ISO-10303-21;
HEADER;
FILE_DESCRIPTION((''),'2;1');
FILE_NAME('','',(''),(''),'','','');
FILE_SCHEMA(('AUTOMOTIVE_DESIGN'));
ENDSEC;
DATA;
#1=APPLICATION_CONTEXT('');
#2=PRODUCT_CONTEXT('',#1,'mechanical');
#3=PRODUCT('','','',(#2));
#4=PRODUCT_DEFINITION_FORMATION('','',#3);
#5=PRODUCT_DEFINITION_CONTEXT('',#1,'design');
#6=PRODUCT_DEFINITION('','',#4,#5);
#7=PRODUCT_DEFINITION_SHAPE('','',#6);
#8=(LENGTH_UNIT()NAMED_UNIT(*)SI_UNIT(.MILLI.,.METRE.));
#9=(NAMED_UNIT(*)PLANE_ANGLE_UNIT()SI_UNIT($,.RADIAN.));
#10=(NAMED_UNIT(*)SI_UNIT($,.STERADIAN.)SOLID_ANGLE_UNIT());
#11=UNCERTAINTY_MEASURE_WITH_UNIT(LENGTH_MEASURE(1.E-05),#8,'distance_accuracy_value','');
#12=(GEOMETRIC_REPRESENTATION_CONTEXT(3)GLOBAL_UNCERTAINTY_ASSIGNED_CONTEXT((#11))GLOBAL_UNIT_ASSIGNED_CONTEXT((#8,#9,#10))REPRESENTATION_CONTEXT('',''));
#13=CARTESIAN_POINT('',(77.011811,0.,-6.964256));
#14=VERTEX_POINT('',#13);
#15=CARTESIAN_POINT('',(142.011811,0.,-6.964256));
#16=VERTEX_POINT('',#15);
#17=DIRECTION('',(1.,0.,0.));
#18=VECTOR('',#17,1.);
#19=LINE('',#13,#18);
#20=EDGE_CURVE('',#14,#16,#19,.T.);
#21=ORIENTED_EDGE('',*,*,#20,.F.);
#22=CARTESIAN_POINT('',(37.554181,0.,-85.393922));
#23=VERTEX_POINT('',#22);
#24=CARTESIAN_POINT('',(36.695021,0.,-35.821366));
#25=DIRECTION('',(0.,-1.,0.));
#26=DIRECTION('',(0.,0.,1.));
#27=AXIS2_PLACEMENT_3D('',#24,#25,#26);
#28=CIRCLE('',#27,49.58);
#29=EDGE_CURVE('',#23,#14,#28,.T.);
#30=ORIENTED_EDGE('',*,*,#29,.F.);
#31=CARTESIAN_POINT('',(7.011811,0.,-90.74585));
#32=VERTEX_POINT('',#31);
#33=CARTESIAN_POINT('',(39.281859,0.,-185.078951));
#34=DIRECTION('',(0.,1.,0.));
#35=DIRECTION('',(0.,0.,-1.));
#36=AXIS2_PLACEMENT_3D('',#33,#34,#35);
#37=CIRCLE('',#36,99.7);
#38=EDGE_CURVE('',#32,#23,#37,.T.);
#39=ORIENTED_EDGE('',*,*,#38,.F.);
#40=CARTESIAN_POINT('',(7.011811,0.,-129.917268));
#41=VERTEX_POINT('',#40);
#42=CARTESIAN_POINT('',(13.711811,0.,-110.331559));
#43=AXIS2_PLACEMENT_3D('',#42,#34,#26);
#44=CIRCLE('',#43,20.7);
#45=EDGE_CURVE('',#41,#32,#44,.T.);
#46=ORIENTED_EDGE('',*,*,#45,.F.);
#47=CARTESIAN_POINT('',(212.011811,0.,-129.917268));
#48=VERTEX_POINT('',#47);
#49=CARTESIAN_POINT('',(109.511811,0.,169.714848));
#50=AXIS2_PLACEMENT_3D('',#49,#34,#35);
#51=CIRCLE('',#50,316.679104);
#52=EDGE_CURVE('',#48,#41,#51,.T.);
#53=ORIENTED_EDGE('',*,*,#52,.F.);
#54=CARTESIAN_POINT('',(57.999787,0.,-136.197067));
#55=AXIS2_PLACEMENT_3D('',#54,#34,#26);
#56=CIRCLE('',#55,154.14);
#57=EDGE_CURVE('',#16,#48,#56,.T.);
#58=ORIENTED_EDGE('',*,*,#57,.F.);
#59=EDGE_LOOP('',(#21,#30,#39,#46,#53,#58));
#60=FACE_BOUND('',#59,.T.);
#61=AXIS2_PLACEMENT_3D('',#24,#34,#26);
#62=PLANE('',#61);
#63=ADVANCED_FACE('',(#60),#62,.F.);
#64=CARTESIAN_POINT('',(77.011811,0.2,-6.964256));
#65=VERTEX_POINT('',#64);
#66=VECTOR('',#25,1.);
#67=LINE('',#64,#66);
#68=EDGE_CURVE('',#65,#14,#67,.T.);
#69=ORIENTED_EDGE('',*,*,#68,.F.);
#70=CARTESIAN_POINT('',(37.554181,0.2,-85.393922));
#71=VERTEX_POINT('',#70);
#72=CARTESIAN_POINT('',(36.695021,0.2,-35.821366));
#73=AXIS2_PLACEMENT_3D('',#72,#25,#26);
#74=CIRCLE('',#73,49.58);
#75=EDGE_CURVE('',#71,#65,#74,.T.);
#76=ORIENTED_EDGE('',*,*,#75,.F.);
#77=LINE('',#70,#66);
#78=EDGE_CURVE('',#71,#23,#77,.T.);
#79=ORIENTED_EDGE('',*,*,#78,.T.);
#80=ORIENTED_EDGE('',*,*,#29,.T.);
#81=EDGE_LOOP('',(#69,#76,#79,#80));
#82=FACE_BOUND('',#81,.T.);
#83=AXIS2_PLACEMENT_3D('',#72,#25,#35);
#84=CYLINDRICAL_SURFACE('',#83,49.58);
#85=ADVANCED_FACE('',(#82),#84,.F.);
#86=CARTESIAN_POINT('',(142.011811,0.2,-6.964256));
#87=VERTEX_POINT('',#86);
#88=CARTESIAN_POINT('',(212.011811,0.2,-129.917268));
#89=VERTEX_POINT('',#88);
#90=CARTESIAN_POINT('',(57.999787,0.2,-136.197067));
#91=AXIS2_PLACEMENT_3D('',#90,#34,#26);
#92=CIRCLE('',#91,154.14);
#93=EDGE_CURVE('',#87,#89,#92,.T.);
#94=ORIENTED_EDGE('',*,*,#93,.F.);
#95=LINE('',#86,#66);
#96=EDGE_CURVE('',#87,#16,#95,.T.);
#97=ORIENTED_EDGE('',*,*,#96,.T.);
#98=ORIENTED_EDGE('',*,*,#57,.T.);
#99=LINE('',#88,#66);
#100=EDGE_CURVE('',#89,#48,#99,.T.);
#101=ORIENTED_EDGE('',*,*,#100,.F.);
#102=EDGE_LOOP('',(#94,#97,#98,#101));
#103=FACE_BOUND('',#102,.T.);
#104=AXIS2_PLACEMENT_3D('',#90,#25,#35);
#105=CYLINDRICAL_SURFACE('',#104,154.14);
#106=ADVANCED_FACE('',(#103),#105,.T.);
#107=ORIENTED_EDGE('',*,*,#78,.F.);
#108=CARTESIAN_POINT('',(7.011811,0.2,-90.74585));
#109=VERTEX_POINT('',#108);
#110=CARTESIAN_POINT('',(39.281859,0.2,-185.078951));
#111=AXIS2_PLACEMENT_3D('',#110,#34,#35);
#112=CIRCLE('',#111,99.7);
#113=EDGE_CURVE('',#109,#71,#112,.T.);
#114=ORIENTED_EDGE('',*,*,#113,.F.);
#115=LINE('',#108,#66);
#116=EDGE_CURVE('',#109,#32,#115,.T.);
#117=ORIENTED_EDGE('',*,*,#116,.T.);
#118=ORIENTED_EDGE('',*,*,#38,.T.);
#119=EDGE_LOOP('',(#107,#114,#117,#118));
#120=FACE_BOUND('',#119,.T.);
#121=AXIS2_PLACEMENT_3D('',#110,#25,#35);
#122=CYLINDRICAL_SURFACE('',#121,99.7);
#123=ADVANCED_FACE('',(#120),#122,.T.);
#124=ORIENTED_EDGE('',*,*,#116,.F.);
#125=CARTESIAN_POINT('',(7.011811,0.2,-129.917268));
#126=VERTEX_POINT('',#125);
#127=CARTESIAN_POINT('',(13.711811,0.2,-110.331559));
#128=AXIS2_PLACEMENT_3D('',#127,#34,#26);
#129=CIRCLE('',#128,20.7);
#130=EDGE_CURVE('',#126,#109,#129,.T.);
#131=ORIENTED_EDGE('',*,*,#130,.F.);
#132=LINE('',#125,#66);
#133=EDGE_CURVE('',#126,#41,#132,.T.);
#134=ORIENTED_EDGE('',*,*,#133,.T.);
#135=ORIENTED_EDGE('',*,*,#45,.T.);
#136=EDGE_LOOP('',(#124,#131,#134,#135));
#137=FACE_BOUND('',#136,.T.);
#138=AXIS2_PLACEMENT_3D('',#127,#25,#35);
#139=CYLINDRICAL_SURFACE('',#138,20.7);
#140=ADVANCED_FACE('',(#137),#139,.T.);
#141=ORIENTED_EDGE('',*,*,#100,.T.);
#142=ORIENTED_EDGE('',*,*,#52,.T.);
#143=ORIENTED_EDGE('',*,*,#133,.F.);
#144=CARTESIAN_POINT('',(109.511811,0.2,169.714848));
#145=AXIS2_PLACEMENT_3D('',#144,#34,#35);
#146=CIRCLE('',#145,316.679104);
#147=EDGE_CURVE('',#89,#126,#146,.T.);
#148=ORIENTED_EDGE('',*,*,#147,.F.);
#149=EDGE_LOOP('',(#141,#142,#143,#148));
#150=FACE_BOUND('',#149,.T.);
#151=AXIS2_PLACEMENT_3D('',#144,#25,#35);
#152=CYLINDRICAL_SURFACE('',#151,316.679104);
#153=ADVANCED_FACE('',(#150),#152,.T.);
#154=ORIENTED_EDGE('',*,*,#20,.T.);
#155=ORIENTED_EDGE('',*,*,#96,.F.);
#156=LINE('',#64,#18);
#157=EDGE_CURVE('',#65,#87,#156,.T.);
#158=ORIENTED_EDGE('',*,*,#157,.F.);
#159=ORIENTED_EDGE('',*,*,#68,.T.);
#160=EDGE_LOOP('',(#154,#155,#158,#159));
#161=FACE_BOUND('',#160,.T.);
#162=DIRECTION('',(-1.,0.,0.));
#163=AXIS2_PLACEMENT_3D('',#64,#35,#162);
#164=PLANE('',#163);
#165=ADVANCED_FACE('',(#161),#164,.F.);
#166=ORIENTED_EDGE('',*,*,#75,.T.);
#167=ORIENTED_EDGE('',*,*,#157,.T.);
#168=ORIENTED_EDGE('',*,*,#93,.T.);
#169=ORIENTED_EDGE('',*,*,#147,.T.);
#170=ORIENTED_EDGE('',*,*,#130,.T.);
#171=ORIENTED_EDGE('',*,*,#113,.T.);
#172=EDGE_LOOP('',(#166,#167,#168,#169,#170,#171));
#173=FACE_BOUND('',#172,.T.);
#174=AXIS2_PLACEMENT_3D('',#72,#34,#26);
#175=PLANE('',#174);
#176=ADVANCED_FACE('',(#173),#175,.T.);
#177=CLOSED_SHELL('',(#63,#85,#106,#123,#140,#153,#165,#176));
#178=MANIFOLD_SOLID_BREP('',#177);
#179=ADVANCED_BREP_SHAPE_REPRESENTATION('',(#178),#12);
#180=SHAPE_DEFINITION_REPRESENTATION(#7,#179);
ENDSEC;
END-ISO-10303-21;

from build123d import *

# Parameters (mm, degrees)
BOSS_EXTRUDE1_DEPTH = 0.2


with BuildPart() as part:
    # Sketch1 → Boss-Extrude1 (new body)
    with BuildSketch(Plane(origin=(0, 0, 0), x_dir=(1, 0, 0), z_dir=(0, 1, 0))):
        with BuildLine():
            Line((77.011811156, 6.964256389), (142.011811156, 6.964256389))
            ThreePointArc((142.011811156, 6.964256389), (191.952101905, 59.934908511), (212.011811156, 129.917268368))
            ThreePointArc((212.011811156, 129.917268368), (109.511811156, 146.964256389), (7.011811156, 129.917268368))
            ThreePointArc((7.011811156, 129.917268368), (-6.988188844, 110.331559293), (7.011811156, 90.745850217))
            ThreePointArc((7.011811156, 90.745850217), (22.073659684, 86.875245478), (37.554181067, 85.393921812))
            ThreePointArc((37.554181067, 85.393921812), (80.985740192, 58.10383853), (77.011811156, 6.964256389))
        make_face()
    extrude(amount=BOSS_EXTRUDE1_DEPTH)


solid = part.part
